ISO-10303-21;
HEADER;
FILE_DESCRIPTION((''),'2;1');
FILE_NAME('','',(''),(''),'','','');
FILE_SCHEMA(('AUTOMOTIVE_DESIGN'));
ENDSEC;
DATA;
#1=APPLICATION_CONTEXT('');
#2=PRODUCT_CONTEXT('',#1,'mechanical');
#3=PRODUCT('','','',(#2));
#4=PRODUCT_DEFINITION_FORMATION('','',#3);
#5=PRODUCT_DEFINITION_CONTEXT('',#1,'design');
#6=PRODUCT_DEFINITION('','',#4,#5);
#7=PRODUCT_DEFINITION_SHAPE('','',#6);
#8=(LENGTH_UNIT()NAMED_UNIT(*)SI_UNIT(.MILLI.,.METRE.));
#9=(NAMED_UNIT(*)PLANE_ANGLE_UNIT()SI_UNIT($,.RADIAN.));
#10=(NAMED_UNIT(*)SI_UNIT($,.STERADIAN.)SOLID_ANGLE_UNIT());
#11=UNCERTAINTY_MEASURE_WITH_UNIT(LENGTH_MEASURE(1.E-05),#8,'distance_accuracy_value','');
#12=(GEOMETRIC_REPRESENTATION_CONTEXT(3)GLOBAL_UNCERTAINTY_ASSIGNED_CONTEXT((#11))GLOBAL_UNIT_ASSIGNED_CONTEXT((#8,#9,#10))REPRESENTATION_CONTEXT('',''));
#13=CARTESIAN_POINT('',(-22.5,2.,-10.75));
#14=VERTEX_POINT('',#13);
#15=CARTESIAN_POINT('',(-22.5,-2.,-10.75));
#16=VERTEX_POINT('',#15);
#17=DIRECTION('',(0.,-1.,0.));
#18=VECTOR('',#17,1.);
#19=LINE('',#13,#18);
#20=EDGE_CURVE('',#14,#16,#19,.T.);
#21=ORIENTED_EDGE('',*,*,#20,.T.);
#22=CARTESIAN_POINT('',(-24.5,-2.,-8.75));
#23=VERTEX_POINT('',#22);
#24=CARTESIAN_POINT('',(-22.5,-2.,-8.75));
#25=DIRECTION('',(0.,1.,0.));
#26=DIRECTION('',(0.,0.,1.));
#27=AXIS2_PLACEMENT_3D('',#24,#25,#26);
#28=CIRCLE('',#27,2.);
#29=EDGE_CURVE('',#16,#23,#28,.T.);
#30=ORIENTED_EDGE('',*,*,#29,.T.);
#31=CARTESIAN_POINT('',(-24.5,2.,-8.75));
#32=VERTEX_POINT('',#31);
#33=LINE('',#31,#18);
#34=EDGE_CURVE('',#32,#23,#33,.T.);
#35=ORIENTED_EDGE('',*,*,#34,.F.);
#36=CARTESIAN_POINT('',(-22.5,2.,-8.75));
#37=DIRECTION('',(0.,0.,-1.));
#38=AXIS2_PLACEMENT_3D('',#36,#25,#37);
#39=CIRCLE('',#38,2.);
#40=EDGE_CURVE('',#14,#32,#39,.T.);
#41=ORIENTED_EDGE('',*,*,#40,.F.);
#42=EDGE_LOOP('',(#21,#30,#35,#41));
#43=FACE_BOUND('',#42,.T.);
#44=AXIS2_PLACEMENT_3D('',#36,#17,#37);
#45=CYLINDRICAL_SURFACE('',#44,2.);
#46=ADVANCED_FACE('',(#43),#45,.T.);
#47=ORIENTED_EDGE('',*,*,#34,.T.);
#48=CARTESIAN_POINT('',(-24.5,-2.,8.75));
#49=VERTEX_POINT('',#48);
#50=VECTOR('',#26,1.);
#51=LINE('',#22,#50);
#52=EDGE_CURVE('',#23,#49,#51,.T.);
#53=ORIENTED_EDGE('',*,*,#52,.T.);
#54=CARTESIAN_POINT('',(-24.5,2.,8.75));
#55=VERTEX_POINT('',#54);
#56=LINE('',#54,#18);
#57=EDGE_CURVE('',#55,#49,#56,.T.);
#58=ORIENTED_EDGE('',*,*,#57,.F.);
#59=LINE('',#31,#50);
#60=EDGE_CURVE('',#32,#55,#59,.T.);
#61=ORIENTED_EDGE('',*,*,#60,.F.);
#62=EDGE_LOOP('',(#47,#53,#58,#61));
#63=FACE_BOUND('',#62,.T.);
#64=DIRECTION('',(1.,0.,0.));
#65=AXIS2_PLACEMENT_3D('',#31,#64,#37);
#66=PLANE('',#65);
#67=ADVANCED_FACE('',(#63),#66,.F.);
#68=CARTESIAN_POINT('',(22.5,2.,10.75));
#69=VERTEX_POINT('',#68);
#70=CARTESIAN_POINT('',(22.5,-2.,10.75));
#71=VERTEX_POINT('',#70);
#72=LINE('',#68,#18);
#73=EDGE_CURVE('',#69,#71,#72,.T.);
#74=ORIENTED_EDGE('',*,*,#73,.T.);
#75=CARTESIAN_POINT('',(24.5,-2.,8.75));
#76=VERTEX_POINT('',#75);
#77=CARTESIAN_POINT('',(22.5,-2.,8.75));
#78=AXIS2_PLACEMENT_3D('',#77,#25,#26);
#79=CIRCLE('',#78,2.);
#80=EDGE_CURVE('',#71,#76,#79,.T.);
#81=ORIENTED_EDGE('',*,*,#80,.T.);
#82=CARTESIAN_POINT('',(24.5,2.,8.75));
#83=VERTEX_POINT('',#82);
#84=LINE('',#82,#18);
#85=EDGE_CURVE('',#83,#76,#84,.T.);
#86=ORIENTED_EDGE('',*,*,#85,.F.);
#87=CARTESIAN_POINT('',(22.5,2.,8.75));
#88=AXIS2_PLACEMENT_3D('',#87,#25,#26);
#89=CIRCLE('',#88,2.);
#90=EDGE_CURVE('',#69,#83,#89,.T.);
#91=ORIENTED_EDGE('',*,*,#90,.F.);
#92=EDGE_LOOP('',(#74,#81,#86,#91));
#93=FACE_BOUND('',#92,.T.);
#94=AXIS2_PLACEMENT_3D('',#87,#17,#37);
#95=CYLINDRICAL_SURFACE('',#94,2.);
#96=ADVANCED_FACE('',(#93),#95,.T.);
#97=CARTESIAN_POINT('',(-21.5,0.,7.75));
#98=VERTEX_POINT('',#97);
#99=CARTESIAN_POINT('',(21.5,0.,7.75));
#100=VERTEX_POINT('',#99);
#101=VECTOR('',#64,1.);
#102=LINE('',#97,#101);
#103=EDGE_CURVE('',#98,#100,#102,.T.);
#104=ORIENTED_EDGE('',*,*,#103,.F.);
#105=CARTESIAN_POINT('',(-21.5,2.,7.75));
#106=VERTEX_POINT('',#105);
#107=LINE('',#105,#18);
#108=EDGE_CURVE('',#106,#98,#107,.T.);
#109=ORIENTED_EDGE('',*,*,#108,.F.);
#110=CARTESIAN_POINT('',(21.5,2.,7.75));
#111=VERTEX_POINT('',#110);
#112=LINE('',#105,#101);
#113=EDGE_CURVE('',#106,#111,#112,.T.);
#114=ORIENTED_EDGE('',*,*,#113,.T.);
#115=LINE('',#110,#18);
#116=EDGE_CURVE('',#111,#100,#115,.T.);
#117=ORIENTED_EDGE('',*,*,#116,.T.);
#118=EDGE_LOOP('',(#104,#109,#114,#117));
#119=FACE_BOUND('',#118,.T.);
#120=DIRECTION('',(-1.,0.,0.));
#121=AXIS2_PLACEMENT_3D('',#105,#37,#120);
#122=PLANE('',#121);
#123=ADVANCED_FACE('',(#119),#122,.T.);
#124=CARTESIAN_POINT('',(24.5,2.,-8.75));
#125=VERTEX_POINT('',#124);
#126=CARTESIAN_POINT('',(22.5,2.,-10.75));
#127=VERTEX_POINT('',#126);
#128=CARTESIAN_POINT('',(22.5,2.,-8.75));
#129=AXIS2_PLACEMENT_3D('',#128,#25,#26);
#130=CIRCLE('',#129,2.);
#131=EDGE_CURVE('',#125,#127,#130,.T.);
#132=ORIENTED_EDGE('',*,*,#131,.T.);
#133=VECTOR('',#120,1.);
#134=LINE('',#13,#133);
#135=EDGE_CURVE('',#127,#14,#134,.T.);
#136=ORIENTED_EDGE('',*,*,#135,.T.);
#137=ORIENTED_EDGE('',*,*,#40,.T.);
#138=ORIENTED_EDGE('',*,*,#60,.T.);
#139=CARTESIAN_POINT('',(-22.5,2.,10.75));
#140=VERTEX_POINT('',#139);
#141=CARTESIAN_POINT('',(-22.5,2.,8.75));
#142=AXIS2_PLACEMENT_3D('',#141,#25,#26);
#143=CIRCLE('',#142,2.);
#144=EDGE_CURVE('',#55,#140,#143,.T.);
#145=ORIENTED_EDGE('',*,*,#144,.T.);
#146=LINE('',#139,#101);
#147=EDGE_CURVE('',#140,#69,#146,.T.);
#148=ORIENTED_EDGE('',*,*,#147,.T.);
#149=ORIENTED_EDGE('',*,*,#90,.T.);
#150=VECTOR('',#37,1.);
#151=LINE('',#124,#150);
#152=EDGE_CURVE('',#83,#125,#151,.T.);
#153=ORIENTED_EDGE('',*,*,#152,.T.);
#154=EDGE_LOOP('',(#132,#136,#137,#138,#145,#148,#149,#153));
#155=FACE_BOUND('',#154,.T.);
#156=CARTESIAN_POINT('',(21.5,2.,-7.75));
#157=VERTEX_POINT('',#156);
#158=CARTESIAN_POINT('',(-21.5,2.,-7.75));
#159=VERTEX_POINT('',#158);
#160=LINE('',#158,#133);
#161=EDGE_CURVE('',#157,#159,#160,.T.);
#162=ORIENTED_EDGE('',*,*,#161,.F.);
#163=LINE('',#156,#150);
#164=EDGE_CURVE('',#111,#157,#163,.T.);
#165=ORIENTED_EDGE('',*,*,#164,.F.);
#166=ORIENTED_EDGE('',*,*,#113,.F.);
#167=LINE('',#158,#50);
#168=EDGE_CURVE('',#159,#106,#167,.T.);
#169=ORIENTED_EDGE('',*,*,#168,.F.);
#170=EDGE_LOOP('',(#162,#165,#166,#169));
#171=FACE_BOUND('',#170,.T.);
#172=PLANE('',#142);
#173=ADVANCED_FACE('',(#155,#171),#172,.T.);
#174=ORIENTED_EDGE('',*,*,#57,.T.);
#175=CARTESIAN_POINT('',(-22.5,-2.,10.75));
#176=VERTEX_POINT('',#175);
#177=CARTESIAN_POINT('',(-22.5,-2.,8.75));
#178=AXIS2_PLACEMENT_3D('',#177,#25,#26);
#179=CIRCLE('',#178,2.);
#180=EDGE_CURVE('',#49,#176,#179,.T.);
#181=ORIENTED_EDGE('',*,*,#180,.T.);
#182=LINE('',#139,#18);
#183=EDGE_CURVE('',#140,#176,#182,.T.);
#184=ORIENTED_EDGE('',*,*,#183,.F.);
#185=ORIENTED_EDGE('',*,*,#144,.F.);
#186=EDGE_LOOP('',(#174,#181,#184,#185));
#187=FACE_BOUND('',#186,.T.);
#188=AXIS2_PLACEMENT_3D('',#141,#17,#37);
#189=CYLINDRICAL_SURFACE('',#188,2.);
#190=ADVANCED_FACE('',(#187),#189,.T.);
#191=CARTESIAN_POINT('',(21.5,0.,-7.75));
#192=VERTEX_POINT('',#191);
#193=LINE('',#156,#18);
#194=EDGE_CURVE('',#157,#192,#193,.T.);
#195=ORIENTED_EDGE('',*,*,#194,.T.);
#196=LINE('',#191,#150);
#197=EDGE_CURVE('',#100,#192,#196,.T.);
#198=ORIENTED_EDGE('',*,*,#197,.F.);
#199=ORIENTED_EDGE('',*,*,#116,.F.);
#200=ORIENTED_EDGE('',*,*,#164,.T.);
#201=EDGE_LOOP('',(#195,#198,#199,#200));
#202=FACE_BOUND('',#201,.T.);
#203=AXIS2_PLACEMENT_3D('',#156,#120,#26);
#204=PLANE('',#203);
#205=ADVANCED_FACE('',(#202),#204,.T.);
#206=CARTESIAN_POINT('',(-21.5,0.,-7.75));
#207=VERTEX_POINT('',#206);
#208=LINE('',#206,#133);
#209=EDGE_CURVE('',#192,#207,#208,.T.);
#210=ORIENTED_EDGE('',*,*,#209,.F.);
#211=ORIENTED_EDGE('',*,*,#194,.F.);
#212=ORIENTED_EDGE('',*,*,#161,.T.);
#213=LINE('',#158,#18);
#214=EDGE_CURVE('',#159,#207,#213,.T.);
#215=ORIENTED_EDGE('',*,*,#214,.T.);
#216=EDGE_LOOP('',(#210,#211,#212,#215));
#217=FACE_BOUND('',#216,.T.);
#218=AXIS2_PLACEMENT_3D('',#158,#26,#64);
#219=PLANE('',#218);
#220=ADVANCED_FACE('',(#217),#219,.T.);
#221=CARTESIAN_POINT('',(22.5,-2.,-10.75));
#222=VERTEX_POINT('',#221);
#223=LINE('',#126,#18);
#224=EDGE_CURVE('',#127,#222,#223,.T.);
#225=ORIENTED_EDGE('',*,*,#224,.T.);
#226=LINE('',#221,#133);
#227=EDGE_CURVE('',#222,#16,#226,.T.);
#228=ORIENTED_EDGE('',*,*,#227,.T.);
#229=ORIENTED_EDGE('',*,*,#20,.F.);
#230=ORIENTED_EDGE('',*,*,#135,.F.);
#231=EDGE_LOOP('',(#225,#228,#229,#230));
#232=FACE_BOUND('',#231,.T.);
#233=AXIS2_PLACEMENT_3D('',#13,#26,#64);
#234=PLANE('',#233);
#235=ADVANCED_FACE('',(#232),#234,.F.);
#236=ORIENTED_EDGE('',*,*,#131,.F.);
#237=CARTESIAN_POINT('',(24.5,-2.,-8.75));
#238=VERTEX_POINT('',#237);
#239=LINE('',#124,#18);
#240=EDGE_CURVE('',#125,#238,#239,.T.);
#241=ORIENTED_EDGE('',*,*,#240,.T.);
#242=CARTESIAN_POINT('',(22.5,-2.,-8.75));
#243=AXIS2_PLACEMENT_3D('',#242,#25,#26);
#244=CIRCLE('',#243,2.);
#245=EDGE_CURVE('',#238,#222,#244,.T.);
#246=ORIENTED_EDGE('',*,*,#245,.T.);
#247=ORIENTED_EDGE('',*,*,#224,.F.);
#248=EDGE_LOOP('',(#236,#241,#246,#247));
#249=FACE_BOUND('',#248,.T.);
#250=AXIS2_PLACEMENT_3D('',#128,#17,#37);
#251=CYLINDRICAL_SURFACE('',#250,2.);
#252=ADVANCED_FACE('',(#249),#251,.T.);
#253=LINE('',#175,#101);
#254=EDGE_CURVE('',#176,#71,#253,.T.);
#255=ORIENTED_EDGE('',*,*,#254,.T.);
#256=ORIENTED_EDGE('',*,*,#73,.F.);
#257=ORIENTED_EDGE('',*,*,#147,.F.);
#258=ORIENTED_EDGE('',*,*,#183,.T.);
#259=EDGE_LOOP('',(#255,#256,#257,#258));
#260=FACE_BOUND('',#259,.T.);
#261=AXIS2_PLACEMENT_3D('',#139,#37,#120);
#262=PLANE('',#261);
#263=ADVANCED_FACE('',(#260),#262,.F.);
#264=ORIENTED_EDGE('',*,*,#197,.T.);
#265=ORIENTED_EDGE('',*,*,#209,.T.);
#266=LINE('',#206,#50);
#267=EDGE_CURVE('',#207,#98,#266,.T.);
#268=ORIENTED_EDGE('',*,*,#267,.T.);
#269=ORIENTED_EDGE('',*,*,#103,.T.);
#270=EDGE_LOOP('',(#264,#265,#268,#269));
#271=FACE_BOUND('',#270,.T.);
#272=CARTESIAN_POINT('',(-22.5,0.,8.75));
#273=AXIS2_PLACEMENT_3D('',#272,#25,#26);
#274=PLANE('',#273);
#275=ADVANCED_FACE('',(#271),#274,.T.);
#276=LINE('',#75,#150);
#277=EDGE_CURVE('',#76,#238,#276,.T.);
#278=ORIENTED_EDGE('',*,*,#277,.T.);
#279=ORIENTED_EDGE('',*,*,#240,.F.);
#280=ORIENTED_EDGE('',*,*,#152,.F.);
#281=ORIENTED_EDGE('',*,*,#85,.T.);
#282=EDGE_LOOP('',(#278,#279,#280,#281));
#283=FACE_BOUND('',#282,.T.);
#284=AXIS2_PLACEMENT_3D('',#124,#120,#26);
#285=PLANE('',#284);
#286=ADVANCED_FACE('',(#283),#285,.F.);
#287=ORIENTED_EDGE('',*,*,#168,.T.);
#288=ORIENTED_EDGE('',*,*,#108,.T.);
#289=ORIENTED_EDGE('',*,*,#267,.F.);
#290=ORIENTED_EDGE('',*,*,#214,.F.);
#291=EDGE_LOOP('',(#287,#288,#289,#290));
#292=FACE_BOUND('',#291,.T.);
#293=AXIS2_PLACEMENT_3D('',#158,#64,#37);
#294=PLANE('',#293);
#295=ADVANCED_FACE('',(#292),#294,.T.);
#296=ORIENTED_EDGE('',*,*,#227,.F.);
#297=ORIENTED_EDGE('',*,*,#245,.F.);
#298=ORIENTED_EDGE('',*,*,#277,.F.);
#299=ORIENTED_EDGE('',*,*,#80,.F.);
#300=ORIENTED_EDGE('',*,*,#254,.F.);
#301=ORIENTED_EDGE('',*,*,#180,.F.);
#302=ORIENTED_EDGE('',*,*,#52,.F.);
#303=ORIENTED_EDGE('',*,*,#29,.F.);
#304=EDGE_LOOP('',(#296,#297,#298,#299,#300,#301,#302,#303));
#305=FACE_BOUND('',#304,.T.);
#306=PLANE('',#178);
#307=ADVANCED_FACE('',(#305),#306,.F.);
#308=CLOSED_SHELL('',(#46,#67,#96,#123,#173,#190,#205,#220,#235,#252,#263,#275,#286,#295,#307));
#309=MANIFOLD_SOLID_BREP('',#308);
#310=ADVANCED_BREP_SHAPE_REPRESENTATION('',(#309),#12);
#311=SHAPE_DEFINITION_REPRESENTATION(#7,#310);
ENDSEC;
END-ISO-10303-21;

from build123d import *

# Parameters (mm, degrees)
CROQUIS1_W              = 43
CROQUIS1_H              = 15.5
SALIENTE_EXTRUIR1_DEPTH = 2
SALIENTE_EXTRUIR2_START = -2
SALIENTE_EXTRUIR2_DEPTH = 2


with BuildPart() as part:
    # Croquis1 → Saliente-Extruir1 (new body)
    with BuildSketch(Plane(origin=(0, 0, 0), x_dir=(1, 0, 0), z_dir=(0, 1, 0))):
        with BuildLine():
            Line((-24.5, 8.75), (-24.5, -8.75))
            ThreePointArc((-24.5, -8.75), (-23.914213562, -10.164213562), (-22.5, -10.75))
            Line((-22.5, -10.75), (22.5, -10.75))
            ThreePointArc((22.5, -10.75), (23.914213562, -10.164213562), (24.5, -8.75))
            Line((24.5, -8.75), (24.5, 8.75))
            ThreePointArc((24.5, 8.75), (23.914213562, 10.164213562), (22.5, 10.75))
            Line((22.5, 10.75), (-22.5, 10.75))
            ThreePointArc((-22.5, 10.75), (-23.914213562, 10.164213562), (-24.5, 8.75))
        make_face()
        Rectangle(CROQUIS1_W, CROQUIS1_H, mode=Mode.SUBTRACT)
    extrude(amount=SALIENTE_EXTRUIR1_DEPTH)

    # Croquis2 → Saliente-Extruir2 (add)
    with BuildSketch(Plane(origin=(0, 0, 0), x_dir=(1, 0, 0), z_dir=(0, 1, 0)).offset(SALIENTE_EXTRUIR2_START)):
        with BuildLine():
            Line((-24.5, 8.75), (-24.5, -8.75))
            ThreePointArc((-24.5, -8.75), (-23.914213562, -10.164213562), (-22.5, -10.75))
            Line((-22.5, -10.75), (22.5, -10.75))
            ThreePointArc((22.5, -10.75), (23.914213562, -10.164213562), (24.5, -8.75))
            Line((24.5, -8.75), (24.5, 8.75))
            ThreePointArc((24.5, 8.75), (23.914213562, 10.164213562), (22.5, 10.75))
            Line((22.5, 10.75), (-22.5, 10.75))
            ThreePointArc((-22.5, 10.75), (-23.914213562, 10.164213562), (-24.5, 8.75))
        make_face()
    extrude(amount=SALIENTE_EXTRUIR2_DEPTH)


solid = part.part
